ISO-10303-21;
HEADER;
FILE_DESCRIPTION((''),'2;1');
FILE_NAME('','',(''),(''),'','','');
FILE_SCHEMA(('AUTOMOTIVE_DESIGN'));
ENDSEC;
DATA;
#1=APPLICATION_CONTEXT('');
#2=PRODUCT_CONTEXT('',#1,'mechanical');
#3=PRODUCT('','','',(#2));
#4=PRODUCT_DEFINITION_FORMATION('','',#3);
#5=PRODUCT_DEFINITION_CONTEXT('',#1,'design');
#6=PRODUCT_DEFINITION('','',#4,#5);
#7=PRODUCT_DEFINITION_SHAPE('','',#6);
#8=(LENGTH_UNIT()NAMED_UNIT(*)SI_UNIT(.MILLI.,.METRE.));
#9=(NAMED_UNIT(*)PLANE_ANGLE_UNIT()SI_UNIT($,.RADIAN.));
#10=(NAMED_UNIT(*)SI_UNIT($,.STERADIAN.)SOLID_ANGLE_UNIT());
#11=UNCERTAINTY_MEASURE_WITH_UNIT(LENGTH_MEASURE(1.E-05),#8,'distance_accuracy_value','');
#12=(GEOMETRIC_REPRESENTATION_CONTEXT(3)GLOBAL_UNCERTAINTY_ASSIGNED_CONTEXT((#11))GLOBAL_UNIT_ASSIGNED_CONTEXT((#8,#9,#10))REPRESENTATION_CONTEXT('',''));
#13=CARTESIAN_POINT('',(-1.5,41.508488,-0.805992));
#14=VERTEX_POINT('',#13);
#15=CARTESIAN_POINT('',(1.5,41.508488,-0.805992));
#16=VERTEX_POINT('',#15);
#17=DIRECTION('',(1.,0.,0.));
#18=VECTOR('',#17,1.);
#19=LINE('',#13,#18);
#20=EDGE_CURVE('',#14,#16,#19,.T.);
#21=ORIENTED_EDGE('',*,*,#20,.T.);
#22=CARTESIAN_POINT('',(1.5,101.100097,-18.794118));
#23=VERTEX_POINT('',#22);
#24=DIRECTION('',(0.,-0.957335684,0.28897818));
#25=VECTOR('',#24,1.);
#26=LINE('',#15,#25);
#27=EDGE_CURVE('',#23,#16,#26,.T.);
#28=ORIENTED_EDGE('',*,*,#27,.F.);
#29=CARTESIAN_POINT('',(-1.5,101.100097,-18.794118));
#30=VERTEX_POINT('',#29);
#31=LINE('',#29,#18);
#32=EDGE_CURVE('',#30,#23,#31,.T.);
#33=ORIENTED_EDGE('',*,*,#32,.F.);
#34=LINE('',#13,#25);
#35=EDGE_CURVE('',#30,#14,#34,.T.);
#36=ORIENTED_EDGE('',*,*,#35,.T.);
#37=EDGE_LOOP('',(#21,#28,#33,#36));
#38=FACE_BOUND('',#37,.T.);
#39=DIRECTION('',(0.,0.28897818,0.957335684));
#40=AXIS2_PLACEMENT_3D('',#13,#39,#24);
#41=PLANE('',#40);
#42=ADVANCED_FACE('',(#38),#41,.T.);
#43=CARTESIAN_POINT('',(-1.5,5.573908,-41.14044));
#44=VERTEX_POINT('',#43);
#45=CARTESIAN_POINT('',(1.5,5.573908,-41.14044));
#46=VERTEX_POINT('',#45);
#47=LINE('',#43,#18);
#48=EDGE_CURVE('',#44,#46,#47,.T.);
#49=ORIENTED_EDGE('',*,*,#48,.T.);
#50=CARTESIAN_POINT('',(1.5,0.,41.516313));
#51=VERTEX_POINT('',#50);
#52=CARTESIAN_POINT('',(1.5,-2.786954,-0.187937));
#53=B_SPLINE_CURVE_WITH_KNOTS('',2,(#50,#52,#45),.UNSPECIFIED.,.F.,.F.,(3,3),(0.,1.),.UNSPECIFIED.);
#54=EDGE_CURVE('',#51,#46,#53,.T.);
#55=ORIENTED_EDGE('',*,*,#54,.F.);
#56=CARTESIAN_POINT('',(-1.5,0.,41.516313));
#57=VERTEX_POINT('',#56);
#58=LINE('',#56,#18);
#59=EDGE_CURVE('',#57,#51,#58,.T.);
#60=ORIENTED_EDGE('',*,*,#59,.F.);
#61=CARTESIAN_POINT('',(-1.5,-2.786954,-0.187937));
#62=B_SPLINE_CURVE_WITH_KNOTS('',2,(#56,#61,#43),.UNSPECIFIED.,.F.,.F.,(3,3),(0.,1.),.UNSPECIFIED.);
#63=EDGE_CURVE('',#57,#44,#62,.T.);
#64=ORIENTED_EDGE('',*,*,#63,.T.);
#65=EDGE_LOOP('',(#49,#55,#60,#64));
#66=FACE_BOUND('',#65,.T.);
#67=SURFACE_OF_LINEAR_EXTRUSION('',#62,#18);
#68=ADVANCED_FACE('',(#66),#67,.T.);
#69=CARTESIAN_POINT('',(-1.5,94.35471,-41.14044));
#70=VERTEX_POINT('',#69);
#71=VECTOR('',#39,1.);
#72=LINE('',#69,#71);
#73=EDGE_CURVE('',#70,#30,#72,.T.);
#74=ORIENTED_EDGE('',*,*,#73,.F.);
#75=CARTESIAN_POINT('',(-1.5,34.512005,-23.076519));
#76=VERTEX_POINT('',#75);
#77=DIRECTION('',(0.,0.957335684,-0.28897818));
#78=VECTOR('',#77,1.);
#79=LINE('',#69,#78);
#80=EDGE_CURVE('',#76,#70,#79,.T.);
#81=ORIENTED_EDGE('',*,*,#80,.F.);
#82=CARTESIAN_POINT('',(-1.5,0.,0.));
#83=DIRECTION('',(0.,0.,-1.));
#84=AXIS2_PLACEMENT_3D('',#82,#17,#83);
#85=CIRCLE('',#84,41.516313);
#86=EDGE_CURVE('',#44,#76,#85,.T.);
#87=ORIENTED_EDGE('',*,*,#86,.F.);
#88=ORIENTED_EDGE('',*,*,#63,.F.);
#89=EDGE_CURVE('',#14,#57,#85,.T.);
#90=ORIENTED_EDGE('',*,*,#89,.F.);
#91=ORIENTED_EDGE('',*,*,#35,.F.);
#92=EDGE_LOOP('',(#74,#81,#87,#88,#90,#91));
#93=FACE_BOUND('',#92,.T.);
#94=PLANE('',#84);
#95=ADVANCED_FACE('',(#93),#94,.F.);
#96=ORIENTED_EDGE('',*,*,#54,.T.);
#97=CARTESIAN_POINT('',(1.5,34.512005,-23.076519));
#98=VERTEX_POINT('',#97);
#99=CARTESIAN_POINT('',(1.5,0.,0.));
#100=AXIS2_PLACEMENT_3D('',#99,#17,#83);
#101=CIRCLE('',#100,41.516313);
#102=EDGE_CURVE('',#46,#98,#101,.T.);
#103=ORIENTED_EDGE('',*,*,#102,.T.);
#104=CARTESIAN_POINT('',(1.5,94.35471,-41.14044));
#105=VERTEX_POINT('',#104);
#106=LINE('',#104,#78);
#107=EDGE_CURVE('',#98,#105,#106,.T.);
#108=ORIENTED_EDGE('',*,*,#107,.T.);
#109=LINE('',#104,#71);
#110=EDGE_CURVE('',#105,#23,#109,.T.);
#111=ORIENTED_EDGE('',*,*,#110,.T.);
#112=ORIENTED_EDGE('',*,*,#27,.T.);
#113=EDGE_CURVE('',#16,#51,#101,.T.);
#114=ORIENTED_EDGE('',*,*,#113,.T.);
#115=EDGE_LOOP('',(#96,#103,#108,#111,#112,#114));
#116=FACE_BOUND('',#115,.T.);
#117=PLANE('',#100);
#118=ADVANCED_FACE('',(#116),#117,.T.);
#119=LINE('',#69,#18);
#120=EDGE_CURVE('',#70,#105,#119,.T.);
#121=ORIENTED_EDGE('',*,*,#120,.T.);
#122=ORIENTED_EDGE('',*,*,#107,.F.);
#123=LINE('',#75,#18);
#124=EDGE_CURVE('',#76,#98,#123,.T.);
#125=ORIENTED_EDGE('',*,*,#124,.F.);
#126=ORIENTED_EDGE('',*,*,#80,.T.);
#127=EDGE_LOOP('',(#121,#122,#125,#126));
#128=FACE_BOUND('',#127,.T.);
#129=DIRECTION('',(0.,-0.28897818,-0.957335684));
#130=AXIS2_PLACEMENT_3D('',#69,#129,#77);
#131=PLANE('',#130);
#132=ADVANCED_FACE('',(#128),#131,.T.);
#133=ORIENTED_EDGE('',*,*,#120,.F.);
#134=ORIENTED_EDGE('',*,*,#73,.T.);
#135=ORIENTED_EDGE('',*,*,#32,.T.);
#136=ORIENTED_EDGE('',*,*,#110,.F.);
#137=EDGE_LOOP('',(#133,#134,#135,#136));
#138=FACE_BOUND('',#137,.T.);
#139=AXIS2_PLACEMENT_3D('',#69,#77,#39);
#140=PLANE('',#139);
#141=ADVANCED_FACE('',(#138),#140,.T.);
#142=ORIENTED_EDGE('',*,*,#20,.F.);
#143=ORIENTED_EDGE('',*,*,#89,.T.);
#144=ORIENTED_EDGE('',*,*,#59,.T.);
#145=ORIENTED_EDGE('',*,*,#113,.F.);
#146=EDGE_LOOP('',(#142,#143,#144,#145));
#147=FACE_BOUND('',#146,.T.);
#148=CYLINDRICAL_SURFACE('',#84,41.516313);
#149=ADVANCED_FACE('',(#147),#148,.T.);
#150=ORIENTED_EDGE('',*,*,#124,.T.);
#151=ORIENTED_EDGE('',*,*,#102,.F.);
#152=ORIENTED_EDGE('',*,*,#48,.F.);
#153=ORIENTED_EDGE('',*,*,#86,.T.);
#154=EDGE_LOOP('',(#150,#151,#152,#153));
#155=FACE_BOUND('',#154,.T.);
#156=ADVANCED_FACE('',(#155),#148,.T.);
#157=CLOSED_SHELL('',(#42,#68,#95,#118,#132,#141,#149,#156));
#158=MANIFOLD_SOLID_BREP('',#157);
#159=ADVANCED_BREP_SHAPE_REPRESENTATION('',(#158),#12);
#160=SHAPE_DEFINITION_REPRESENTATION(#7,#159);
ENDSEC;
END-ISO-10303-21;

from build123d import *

# Parameters (mm, degrees)
BOSS_EXTRUDE1_DEPTH = 1.5


with BuildPart() as part:
    # Sketch1 (on Right Plane) → Boss-Extrude1 (new body, symmetric)
    with BuildSketch(Plane(origin=(0, 0, 0), x_dir=(0, 0, -1), z_dir=(1, 0, 0))):
        with BuildLine():
            Line((41.140439709, 94.354710036), (23.076518975, 34.512005167))
            ThreePointArc((23.076518975, 34.512005167), (35.21800412, 21.984003604), (41.140439709, 5.573907889))
            add(Edge.make_bspline(
                [(-41.516312801, 0), (0.187936546, -2.786953944), (41.140439709, 5.573907889)],
                knots=[0, 0, 0, 1, 1, 1], degree=2))
            ThreePointArc((-41.516312801, 0), (-29.070108459, 29.640057739), (0.805992023, 41.508488355))
            Line((0.805992023, 41.508488355), (18.79411763, 101.100096824))
            Line((18.79411763, 101.100096824), (41.140439709, 94.354710036))
        make_face()
    extrude(amount=BOSS_EXTRUDE1_DEPTH, both=True)


solid = part.part
